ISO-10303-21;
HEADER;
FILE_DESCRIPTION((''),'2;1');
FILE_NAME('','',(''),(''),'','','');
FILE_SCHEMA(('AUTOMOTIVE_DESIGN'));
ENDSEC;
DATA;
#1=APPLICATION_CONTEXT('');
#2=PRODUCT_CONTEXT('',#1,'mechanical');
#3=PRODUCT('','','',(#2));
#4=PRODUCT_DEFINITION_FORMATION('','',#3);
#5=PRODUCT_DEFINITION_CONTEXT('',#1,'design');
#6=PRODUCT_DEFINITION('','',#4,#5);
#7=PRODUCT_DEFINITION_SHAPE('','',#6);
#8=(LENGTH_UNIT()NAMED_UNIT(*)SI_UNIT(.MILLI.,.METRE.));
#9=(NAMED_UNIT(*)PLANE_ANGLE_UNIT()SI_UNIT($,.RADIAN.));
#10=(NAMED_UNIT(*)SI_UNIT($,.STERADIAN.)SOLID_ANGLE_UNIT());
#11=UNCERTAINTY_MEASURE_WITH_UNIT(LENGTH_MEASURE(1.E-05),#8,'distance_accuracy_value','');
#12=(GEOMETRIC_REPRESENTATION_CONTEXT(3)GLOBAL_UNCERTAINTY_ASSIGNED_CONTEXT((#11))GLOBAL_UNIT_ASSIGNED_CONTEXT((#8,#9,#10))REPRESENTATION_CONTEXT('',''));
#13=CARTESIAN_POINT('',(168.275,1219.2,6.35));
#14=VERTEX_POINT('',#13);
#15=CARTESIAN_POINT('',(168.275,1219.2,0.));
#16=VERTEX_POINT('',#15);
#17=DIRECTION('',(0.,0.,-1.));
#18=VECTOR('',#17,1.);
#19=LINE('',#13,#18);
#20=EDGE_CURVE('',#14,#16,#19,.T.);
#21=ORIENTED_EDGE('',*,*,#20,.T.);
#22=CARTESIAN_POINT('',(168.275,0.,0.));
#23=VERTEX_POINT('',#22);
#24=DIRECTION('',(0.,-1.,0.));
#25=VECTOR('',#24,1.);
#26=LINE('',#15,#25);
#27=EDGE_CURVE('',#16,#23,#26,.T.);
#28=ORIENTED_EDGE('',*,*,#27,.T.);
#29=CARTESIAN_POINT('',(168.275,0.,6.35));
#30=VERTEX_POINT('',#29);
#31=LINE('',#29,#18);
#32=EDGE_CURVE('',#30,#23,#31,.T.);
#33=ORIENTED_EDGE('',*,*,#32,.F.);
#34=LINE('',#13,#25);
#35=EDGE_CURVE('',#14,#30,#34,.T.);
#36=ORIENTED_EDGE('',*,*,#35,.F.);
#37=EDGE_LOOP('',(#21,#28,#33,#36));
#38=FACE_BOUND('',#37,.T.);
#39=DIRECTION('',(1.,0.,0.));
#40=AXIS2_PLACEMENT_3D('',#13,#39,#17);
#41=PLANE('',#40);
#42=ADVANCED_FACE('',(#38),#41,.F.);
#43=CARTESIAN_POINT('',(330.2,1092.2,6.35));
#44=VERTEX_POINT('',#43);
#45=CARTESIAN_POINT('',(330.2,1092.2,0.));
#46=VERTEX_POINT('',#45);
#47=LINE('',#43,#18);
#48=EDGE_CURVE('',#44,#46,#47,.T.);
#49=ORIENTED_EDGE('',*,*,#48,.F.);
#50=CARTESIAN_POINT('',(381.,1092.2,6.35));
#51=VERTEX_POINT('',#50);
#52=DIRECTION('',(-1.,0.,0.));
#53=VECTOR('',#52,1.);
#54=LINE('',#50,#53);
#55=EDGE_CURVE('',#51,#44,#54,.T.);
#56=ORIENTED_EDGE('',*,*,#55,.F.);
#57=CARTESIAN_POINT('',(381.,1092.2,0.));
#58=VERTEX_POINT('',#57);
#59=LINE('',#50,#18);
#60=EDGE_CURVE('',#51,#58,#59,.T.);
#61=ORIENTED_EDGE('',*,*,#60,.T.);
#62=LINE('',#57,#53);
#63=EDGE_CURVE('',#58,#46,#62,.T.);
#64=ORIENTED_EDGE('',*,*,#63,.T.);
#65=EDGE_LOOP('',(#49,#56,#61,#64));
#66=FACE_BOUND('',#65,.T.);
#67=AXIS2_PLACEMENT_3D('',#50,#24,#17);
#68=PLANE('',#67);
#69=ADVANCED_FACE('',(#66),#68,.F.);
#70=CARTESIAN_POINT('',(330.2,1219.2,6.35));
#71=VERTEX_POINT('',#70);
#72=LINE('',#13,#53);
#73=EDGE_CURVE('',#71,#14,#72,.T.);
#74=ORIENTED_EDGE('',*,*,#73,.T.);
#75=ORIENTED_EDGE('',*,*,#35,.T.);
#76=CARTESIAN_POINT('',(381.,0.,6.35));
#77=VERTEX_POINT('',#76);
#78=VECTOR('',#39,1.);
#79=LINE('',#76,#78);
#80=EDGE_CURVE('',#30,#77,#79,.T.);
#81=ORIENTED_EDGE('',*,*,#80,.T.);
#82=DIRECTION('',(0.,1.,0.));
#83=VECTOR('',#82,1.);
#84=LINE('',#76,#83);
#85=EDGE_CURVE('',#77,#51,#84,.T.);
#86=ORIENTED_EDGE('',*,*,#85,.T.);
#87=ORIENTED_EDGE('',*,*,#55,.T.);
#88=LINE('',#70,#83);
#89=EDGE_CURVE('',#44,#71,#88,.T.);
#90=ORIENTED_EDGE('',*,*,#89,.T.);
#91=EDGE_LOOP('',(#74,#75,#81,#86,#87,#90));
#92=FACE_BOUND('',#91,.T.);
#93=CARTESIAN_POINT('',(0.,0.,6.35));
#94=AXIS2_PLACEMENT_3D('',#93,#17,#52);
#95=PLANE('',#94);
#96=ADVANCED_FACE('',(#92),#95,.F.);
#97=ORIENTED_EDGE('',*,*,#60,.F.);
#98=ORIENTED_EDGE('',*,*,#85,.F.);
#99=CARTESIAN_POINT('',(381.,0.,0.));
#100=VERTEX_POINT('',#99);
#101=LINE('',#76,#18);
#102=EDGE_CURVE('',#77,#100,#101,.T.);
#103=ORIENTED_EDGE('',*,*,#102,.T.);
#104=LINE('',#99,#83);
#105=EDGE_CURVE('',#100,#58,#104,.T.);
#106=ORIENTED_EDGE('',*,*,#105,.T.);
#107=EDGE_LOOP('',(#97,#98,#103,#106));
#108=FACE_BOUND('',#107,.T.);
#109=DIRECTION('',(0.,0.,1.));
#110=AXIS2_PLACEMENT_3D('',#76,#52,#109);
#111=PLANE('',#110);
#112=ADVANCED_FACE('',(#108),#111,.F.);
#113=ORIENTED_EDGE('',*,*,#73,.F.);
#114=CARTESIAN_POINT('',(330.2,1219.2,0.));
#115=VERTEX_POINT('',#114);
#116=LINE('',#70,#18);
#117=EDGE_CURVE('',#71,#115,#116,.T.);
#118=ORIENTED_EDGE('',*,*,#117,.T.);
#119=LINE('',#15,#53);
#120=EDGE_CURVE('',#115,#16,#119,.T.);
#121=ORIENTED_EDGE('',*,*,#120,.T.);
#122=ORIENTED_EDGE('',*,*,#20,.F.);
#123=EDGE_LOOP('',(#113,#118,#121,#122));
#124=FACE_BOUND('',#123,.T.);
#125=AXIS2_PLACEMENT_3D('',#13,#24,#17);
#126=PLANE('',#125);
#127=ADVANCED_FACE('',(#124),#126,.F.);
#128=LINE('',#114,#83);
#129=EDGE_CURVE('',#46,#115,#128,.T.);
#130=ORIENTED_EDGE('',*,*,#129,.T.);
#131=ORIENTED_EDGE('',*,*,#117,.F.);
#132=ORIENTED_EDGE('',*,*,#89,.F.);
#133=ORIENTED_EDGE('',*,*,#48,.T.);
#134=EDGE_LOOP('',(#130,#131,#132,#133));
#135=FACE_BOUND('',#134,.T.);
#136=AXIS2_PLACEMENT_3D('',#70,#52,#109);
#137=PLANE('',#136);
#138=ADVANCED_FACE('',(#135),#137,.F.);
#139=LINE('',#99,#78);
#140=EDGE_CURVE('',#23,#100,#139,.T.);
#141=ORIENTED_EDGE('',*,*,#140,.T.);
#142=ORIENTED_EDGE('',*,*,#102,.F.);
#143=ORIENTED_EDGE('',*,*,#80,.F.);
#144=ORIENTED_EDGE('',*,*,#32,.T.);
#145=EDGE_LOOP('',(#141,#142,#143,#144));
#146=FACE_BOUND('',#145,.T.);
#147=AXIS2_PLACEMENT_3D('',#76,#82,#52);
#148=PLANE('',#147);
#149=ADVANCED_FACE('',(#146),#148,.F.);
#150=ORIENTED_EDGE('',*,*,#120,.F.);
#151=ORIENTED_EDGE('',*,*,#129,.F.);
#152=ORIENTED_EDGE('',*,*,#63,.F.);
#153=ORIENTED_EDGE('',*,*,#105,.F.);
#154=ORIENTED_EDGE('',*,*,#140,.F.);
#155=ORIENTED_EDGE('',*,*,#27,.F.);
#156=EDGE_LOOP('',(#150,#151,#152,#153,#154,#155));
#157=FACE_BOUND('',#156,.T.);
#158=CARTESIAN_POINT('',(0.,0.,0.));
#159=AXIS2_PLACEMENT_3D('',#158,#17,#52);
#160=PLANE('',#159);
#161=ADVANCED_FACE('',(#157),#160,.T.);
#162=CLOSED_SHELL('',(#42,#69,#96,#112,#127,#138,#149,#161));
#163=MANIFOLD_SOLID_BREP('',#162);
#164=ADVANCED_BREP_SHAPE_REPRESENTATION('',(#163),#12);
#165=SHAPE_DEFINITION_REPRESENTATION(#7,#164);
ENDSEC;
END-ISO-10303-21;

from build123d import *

# Parameters (mm, degrees)
BOSS_EXTRUDE1_DEPTH = 6.35


with BuildPart() as part:
    # Sketch1 → Boss-Extrude1 (new body)
    with BuildSketch(Plane.XY):
        Polygon((168.275, 1219.2), (330.2, 1219.2), (330.2, 1092.2), (381, 1092.2), (381, 0), (168.275, 0), align=None)
    extrude(amount=BOSS_EXTRUDE1_DEPTH)


solid = part.part
